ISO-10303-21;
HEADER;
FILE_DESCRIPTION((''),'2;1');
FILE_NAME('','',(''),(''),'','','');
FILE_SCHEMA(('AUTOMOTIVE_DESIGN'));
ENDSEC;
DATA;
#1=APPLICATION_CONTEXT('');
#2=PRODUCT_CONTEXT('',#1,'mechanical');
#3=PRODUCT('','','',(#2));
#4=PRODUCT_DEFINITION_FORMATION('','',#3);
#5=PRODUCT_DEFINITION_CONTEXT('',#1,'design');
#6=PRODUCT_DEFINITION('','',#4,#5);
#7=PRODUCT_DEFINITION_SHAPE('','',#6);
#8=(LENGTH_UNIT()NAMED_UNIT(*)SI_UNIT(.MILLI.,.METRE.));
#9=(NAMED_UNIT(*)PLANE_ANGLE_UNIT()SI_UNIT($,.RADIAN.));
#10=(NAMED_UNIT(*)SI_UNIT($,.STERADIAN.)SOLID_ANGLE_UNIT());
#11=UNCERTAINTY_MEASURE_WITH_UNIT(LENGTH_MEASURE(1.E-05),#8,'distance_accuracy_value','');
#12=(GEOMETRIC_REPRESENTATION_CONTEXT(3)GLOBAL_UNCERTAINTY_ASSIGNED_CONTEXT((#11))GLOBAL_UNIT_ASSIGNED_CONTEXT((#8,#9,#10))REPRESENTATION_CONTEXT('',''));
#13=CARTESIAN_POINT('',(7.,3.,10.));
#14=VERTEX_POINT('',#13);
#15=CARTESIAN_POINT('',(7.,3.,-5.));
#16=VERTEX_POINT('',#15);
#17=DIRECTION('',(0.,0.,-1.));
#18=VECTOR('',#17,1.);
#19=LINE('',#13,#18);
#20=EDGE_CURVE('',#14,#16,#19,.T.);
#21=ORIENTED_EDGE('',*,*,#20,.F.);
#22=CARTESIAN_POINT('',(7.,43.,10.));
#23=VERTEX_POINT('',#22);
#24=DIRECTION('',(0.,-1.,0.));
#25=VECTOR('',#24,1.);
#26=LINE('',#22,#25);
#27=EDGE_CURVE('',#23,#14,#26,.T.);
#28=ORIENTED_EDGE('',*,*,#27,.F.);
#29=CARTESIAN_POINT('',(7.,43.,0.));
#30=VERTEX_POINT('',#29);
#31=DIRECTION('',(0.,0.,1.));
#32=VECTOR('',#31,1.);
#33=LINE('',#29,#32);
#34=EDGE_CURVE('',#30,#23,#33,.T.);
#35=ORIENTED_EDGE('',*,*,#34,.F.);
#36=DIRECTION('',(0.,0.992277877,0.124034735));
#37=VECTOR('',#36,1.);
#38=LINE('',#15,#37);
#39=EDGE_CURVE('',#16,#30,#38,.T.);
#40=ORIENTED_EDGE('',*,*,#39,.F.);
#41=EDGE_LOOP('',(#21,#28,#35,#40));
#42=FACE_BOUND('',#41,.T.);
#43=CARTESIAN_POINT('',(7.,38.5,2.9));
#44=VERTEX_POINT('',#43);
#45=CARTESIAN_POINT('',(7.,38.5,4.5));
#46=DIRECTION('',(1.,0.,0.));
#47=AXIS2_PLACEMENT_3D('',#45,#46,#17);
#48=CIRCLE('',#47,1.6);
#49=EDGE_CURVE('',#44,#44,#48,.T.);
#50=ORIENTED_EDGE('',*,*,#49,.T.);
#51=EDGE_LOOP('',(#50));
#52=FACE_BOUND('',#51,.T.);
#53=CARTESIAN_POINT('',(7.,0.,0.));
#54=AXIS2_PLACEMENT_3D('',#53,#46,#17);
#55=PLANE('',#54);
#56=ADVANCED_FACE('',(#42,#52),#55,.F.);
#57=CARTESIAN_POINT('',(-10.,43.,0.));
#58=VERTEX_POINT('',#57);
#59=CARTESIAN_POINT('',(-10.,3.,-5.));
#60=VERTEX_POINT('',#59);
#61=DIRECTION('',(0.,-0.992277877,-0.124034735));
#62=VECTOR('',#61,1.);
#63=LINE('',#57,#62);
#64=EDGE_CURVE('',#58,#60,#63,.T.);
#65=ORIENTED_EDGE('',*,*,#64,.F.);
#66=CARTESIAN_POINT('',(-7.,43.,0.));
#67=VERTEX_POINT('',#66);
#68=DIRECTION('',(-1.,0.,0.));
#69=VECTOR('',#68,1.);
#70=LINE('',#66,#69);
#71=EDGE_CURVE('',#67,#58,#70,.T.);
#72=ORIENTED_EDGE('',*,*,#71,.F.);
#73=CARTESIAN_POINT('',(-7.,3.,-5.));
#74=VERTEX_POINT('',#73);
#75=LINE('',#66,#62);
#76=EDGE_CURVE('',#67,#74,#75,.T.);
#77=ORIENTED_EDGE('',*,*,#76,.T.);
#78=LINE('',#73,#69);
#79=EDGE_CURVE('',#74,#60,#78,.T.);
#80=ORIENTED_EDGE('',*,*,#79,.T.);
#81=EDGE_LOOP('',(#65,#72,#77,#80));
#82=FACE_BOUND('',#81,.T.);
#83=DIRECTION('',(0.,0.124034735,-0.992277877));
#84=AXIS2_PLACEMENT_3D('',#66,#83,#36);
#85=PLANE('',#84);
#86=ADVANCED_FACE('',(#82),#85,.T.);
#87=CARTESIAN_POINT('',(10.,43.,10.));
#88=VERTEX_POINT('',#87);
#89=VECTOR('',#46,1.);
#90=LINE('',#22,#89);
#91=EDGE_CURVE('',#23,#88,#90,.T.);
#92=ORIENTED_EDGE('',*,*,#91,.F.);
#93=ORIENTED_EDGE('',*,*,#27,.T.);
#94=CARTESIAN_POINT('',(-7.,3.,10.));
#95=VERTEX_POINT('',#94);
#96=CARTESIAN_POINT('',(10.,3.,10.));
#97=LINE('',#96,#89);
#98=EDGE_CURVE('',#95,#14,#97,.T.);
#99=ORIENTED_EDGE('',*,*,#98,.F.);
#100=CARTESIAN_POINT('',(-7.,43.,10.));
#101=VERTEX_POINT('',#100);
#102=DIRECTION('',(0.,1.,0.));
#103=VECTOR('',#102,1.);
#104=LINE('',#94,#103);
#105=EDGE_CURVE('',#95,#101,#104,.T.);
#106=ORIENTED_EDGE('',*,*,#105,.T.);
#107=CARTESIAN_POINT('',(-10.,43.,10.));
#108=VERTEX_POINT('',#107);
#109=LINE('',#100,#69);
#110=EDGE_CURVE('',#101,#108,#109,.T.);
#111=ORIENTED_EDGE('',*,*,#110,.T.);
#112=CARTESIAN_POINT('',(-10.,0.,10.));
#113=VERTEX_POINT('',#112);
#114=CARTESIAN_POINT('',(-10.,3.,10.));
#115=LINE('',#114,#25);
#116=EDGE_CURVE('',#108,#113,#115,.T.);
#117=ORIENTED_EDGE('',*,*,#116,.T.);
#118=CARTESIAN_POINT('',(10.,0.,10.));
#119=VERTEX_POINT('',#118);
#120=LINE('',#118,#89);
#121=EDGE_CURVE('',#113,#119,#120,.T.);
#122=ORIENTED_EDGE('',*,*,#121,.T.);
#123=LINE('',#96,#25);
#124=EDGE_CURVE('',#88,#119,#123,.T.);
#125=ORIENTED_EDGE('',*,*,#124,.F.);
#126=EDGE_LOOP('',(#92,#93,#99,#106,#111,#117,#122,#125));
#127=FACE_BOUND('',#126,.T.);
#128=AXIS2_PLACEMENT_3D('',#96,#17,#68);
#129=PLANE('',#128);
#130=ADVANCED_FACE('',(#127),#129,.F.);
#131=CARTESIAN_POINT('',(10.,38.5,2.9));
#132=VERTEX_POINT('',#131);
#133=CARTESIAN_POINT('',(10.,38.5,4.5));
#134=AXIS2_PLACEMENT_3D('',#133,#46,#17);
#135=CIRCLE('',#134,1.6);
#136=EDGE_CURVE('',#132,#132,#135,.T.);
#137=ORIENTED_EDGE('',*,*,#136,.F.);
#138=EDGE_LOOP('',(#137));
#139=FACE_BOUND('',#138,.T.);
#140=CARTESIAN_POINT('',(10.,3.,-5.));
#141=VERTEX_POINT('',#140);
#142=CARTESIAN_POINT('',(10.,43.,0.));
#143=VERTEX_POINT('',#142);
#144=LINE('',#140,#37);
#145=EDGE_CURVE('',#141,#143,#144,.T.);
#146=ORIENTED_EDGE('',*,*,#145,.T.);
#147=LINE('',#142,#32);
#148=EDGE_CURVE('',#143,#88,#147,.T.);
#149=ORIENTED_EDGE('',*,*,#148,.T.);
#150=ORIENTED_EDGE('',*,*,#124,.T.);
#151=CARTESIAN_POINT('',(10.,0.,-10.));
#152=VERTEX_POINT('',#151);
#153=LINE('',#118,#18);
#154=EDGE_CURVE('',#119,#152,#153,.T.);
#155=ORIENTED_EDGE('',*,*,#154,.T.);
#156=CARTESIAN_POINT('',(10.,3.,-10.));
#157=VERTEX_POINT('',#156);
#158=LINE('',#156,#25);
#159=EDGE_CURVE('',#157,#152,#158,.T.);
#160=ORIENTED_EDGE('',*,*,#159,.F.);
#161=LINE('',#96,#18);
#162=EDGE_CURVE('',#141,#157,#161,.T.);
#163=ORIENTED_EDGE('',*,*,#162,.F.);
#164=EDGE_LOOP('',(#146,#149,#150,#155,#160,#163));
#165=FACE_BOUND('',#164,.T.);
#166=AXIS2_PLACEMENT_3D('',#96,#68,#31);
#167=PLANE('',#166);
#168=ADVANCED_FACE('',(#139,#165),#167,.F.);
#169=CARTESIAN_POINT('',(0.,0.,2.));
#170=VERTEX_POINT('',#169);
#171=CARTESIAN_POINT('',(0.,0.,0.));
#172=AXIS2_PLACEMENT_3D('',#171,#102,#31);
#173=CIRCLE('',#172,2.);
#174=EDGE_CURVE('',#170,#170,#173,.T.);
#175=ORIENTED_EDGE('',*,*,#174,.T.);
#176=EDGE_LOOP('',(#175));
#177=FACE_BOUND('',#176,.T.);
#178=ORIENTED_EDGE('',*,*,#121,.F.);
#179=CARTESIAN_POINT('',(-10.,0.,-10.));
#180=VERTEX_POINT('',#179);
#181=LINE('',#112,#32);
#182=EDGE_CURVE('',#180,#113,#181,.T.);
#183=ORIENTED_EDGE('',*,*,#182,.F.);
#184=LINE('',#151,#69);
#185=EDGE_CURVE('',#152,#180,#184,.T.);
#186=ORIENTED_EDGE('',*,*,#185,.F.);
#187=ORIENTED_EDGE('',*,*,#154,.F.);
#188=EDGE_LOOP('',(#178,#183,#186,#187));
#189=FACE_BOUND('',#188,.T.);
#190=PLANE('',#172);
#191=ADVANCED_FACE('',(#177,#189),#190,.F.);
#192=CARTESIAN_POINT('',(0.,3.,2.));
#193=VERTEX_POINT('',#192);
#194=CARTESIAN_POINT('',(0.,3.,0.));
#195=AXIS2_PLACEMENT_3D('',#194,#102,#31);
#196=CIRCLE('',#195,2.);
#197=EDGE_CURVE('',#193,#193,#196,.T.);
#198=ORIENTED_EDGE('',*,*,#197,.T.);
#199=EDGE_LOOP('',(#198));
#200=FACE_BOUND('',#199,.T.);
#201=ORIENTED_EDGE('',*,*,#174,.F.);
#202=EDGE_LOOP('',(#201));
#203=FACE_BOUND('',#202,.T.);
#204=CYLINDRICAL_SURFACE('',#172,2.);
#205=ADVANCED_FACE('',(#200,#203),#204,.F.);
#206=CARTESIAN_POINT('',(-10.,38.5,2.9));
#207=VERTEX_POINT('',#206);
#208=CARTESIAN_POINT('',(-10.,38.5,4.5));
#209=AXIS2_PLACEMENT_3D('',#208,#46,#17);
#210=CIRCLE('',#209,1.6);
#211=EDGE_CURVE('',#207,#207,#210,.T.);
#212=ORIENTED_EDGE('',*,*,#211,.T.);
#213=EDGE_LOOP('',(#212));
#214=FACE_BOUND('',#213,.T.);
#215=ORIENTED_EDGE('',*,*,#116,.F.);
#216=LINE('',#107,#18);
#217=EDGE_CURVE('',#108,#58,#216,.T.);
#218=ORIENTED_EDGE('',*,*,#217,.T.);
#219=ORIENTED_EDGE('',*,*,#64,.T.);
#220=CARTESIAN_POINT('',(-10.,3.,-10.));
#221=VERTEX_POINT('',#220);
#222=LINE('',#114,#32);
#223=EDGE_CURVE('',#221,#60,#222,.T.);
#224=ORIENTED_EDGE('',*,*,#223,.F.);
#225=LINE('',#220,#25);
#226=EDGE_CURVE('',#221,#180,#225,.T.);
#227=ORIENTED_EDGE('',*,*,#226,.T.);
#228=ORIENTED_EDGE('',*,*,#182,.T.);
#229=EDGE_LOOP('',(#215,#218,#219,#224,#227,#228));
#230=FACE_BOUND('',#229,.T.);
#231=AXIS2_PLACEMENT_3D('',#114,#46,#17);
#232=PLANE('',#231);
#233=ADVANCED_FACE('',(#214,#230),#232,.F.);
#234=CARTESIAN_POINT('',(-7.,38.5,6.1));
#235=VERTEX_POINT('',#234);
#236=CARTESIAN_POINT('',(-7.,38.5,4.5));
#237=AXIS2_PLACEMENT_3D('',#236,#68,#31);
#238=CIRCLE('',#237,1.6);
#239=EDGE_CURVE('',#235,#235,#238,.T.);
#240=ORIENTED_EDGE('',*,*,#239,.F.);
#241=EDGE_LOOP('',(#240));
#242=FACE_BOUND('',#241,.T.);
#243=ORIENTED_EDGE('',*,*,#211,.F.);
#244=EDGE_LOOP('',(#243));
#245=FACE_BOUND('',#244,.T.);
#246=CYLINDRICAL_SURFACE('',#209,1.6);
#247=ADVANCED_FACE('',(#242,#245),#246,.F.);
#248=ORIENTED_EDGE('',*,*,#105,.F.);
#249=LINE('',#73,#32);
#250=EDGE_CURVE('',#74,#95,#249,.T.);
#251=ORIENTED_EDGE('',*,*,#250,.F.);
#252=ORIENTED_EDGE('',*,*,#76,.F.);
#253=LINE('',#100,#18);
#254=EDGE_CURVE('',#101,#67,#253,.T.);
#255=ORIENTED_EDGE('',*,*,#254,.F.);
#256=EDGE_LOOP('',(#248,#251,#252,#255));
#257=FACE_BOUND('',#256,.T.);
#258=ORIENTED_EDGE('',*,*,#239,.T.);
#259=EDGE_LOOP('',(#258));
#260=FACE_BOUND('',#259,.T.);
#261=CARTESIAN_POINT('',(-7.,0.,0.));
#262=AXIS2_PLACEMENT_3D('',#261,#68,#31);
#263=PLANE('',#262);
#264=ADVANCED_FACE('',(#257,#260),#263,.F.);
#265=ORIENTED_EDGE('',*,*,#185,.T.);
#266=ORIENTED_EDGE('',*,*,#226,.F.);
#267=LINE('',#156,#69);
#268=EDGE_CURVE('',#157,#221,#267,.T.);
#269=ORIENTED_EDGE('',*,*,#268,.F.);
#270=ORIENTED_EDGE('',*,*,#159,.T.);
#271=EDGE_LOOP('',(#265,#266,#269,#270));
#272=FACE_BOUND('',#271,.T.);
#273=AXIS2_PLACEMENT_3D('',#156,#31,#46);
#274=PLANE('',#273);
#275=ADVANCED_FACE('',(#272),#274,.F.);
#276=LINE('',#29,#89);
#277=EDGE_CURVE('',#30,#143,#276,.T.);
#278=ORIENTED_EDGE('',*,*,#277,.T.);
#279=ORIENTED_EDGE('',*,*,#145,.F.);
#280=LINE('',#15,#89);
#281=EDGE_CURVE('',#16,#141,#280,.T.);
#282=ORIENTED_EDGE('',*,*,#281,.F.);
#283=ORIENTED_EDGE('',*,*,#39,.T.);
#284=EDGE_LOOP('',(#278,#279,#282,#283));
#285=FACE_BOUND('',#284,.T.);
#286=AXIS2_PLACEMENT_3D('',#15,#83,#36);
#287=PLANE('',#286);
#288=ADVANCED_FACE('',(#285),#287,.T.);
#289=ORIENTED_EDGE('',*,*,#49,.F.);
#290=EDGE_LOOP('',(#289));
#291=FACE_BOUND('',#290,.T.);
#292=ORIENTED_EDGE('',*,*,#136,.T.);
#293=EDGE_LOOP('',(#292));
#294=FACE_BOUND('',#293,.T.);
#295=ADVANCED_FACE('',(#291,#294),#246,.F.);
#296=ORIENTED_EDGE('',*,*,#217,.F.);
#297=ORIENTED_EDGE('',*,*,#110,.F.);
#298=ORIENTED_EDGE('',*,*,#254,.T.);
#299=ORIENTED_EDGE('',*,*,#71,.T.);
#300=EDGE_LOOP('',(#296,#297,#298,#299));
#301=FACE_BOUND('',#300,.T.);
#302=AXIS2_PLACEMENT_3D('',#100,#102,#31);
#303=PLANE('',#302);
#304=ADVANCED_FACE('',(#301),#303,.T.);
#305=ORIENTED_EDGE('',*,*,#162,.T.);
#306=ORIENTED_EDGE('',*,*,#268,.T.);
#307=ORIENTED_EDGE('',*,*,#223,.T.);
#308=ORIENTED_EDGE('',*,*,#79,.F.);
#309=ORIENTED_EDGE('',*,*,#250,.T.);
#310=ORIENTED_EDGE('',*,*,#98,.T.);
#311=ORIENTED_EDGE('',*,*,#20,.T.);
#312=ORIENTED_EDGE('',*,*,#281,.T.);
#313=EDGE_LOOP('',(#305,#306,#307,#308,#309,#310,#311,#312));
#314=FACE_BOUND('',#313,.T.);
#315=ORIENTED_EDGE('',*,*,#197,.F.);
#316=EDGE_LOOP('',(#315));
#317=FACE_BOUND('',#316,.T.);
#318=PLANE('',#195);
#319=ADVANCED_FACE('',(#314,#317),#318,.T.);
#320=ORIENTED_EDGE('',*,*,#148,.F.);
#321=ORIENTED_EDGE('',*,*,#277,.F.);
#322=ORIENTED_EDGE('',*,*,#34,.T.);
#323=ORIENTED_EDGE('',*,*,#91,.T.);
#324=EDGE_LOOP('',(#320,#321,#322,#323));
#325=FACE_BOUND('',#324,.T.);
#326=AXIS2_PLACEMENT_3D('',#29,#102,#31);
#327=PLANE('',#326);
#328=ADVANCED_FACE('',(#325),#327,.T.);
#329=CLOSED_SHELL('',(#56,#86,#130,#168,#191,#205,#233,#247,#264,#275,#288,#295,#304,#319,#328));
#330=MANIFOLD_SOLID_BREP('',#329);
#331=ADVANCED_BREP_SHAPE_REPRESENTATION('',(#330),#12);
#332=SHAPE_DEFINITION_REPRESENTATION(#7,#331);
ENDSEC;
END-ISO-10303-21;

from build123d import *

# Parameters (mm, degrees)
SKETCH_1_W          = 20
SKETCH_1_H          = 20
EXTRUDE_1_DEPTH     = 3
EXTRUDE_2_DEPTH     = 3
EXTRUDE_3_DEPTH     = 3
SKETCH_6_R          = 1.6
CUT_EXTRUDE_1_DEPTH = 21
SKETCH_8_R          = 2
CUT_EXTRUDE_2_DEPTH = 4


with BuildPart() as part:
    # 草图1 → 凸台-拉伸1 (new body)
    with BuildSketch(Plane(origin=(0, 0, 0), x_dir=(1, 0, 0), z_dir=(0, 1, 0))):
        Rectangle(SKETCH_1_W, SKETCH_1_H)
    extrude(amount=EXTRUDE_1_DEPTH)

    # 草图4 → 凸台-拉伸2 (add)
    with BuildSketch(Plane.ZY.offset(10)):
        Polygon((10, 3), (10, 43), (0, 43), (-5, 3), align=None)
    extrude(amount=-EXTRUDE_2_DEPTH)

    # 草图5 → 凸台-拉伸3 (add)
    with BuildSketch(Plane(origin=(10, 0, 0), x_dir=(0, 0, -1), z_dir=(1, 0, 0))):
        Polygon((-10, 3), (5, 3), (0, 43), (-10, 43), align=None)
    extrude(amount=-EXTRUDE_3_DEPTH)

    # 草图6 → 切除-拉伸1 (cut, through all)
    with BuildSketch(Plane(origin=(10, 0, 0), x_dir=(0, 0, -1), z_dir=(1, 0, 0))):
        with Locations((-4.5, 38.5)):
            Circle(SKETCH_6_R)
    extrude(amount=-CUT_EXTRUDE_1_DEPTH, mode=Mode.SUBTRACT)

    # 草图8 → 切除-拉伸2 (cut, through all)
    with BuildSketch(Plane(origin=(0, 3, 0), x_dir=(1, 0, 0), z_dir=(0, 1, 0))):
        Circle(SKETCH_8_R)
    extrude(amount=-CUT_EXTRUDE_2_DEPTH, mode=Mode.SUBTRACT)


solid = part.part
